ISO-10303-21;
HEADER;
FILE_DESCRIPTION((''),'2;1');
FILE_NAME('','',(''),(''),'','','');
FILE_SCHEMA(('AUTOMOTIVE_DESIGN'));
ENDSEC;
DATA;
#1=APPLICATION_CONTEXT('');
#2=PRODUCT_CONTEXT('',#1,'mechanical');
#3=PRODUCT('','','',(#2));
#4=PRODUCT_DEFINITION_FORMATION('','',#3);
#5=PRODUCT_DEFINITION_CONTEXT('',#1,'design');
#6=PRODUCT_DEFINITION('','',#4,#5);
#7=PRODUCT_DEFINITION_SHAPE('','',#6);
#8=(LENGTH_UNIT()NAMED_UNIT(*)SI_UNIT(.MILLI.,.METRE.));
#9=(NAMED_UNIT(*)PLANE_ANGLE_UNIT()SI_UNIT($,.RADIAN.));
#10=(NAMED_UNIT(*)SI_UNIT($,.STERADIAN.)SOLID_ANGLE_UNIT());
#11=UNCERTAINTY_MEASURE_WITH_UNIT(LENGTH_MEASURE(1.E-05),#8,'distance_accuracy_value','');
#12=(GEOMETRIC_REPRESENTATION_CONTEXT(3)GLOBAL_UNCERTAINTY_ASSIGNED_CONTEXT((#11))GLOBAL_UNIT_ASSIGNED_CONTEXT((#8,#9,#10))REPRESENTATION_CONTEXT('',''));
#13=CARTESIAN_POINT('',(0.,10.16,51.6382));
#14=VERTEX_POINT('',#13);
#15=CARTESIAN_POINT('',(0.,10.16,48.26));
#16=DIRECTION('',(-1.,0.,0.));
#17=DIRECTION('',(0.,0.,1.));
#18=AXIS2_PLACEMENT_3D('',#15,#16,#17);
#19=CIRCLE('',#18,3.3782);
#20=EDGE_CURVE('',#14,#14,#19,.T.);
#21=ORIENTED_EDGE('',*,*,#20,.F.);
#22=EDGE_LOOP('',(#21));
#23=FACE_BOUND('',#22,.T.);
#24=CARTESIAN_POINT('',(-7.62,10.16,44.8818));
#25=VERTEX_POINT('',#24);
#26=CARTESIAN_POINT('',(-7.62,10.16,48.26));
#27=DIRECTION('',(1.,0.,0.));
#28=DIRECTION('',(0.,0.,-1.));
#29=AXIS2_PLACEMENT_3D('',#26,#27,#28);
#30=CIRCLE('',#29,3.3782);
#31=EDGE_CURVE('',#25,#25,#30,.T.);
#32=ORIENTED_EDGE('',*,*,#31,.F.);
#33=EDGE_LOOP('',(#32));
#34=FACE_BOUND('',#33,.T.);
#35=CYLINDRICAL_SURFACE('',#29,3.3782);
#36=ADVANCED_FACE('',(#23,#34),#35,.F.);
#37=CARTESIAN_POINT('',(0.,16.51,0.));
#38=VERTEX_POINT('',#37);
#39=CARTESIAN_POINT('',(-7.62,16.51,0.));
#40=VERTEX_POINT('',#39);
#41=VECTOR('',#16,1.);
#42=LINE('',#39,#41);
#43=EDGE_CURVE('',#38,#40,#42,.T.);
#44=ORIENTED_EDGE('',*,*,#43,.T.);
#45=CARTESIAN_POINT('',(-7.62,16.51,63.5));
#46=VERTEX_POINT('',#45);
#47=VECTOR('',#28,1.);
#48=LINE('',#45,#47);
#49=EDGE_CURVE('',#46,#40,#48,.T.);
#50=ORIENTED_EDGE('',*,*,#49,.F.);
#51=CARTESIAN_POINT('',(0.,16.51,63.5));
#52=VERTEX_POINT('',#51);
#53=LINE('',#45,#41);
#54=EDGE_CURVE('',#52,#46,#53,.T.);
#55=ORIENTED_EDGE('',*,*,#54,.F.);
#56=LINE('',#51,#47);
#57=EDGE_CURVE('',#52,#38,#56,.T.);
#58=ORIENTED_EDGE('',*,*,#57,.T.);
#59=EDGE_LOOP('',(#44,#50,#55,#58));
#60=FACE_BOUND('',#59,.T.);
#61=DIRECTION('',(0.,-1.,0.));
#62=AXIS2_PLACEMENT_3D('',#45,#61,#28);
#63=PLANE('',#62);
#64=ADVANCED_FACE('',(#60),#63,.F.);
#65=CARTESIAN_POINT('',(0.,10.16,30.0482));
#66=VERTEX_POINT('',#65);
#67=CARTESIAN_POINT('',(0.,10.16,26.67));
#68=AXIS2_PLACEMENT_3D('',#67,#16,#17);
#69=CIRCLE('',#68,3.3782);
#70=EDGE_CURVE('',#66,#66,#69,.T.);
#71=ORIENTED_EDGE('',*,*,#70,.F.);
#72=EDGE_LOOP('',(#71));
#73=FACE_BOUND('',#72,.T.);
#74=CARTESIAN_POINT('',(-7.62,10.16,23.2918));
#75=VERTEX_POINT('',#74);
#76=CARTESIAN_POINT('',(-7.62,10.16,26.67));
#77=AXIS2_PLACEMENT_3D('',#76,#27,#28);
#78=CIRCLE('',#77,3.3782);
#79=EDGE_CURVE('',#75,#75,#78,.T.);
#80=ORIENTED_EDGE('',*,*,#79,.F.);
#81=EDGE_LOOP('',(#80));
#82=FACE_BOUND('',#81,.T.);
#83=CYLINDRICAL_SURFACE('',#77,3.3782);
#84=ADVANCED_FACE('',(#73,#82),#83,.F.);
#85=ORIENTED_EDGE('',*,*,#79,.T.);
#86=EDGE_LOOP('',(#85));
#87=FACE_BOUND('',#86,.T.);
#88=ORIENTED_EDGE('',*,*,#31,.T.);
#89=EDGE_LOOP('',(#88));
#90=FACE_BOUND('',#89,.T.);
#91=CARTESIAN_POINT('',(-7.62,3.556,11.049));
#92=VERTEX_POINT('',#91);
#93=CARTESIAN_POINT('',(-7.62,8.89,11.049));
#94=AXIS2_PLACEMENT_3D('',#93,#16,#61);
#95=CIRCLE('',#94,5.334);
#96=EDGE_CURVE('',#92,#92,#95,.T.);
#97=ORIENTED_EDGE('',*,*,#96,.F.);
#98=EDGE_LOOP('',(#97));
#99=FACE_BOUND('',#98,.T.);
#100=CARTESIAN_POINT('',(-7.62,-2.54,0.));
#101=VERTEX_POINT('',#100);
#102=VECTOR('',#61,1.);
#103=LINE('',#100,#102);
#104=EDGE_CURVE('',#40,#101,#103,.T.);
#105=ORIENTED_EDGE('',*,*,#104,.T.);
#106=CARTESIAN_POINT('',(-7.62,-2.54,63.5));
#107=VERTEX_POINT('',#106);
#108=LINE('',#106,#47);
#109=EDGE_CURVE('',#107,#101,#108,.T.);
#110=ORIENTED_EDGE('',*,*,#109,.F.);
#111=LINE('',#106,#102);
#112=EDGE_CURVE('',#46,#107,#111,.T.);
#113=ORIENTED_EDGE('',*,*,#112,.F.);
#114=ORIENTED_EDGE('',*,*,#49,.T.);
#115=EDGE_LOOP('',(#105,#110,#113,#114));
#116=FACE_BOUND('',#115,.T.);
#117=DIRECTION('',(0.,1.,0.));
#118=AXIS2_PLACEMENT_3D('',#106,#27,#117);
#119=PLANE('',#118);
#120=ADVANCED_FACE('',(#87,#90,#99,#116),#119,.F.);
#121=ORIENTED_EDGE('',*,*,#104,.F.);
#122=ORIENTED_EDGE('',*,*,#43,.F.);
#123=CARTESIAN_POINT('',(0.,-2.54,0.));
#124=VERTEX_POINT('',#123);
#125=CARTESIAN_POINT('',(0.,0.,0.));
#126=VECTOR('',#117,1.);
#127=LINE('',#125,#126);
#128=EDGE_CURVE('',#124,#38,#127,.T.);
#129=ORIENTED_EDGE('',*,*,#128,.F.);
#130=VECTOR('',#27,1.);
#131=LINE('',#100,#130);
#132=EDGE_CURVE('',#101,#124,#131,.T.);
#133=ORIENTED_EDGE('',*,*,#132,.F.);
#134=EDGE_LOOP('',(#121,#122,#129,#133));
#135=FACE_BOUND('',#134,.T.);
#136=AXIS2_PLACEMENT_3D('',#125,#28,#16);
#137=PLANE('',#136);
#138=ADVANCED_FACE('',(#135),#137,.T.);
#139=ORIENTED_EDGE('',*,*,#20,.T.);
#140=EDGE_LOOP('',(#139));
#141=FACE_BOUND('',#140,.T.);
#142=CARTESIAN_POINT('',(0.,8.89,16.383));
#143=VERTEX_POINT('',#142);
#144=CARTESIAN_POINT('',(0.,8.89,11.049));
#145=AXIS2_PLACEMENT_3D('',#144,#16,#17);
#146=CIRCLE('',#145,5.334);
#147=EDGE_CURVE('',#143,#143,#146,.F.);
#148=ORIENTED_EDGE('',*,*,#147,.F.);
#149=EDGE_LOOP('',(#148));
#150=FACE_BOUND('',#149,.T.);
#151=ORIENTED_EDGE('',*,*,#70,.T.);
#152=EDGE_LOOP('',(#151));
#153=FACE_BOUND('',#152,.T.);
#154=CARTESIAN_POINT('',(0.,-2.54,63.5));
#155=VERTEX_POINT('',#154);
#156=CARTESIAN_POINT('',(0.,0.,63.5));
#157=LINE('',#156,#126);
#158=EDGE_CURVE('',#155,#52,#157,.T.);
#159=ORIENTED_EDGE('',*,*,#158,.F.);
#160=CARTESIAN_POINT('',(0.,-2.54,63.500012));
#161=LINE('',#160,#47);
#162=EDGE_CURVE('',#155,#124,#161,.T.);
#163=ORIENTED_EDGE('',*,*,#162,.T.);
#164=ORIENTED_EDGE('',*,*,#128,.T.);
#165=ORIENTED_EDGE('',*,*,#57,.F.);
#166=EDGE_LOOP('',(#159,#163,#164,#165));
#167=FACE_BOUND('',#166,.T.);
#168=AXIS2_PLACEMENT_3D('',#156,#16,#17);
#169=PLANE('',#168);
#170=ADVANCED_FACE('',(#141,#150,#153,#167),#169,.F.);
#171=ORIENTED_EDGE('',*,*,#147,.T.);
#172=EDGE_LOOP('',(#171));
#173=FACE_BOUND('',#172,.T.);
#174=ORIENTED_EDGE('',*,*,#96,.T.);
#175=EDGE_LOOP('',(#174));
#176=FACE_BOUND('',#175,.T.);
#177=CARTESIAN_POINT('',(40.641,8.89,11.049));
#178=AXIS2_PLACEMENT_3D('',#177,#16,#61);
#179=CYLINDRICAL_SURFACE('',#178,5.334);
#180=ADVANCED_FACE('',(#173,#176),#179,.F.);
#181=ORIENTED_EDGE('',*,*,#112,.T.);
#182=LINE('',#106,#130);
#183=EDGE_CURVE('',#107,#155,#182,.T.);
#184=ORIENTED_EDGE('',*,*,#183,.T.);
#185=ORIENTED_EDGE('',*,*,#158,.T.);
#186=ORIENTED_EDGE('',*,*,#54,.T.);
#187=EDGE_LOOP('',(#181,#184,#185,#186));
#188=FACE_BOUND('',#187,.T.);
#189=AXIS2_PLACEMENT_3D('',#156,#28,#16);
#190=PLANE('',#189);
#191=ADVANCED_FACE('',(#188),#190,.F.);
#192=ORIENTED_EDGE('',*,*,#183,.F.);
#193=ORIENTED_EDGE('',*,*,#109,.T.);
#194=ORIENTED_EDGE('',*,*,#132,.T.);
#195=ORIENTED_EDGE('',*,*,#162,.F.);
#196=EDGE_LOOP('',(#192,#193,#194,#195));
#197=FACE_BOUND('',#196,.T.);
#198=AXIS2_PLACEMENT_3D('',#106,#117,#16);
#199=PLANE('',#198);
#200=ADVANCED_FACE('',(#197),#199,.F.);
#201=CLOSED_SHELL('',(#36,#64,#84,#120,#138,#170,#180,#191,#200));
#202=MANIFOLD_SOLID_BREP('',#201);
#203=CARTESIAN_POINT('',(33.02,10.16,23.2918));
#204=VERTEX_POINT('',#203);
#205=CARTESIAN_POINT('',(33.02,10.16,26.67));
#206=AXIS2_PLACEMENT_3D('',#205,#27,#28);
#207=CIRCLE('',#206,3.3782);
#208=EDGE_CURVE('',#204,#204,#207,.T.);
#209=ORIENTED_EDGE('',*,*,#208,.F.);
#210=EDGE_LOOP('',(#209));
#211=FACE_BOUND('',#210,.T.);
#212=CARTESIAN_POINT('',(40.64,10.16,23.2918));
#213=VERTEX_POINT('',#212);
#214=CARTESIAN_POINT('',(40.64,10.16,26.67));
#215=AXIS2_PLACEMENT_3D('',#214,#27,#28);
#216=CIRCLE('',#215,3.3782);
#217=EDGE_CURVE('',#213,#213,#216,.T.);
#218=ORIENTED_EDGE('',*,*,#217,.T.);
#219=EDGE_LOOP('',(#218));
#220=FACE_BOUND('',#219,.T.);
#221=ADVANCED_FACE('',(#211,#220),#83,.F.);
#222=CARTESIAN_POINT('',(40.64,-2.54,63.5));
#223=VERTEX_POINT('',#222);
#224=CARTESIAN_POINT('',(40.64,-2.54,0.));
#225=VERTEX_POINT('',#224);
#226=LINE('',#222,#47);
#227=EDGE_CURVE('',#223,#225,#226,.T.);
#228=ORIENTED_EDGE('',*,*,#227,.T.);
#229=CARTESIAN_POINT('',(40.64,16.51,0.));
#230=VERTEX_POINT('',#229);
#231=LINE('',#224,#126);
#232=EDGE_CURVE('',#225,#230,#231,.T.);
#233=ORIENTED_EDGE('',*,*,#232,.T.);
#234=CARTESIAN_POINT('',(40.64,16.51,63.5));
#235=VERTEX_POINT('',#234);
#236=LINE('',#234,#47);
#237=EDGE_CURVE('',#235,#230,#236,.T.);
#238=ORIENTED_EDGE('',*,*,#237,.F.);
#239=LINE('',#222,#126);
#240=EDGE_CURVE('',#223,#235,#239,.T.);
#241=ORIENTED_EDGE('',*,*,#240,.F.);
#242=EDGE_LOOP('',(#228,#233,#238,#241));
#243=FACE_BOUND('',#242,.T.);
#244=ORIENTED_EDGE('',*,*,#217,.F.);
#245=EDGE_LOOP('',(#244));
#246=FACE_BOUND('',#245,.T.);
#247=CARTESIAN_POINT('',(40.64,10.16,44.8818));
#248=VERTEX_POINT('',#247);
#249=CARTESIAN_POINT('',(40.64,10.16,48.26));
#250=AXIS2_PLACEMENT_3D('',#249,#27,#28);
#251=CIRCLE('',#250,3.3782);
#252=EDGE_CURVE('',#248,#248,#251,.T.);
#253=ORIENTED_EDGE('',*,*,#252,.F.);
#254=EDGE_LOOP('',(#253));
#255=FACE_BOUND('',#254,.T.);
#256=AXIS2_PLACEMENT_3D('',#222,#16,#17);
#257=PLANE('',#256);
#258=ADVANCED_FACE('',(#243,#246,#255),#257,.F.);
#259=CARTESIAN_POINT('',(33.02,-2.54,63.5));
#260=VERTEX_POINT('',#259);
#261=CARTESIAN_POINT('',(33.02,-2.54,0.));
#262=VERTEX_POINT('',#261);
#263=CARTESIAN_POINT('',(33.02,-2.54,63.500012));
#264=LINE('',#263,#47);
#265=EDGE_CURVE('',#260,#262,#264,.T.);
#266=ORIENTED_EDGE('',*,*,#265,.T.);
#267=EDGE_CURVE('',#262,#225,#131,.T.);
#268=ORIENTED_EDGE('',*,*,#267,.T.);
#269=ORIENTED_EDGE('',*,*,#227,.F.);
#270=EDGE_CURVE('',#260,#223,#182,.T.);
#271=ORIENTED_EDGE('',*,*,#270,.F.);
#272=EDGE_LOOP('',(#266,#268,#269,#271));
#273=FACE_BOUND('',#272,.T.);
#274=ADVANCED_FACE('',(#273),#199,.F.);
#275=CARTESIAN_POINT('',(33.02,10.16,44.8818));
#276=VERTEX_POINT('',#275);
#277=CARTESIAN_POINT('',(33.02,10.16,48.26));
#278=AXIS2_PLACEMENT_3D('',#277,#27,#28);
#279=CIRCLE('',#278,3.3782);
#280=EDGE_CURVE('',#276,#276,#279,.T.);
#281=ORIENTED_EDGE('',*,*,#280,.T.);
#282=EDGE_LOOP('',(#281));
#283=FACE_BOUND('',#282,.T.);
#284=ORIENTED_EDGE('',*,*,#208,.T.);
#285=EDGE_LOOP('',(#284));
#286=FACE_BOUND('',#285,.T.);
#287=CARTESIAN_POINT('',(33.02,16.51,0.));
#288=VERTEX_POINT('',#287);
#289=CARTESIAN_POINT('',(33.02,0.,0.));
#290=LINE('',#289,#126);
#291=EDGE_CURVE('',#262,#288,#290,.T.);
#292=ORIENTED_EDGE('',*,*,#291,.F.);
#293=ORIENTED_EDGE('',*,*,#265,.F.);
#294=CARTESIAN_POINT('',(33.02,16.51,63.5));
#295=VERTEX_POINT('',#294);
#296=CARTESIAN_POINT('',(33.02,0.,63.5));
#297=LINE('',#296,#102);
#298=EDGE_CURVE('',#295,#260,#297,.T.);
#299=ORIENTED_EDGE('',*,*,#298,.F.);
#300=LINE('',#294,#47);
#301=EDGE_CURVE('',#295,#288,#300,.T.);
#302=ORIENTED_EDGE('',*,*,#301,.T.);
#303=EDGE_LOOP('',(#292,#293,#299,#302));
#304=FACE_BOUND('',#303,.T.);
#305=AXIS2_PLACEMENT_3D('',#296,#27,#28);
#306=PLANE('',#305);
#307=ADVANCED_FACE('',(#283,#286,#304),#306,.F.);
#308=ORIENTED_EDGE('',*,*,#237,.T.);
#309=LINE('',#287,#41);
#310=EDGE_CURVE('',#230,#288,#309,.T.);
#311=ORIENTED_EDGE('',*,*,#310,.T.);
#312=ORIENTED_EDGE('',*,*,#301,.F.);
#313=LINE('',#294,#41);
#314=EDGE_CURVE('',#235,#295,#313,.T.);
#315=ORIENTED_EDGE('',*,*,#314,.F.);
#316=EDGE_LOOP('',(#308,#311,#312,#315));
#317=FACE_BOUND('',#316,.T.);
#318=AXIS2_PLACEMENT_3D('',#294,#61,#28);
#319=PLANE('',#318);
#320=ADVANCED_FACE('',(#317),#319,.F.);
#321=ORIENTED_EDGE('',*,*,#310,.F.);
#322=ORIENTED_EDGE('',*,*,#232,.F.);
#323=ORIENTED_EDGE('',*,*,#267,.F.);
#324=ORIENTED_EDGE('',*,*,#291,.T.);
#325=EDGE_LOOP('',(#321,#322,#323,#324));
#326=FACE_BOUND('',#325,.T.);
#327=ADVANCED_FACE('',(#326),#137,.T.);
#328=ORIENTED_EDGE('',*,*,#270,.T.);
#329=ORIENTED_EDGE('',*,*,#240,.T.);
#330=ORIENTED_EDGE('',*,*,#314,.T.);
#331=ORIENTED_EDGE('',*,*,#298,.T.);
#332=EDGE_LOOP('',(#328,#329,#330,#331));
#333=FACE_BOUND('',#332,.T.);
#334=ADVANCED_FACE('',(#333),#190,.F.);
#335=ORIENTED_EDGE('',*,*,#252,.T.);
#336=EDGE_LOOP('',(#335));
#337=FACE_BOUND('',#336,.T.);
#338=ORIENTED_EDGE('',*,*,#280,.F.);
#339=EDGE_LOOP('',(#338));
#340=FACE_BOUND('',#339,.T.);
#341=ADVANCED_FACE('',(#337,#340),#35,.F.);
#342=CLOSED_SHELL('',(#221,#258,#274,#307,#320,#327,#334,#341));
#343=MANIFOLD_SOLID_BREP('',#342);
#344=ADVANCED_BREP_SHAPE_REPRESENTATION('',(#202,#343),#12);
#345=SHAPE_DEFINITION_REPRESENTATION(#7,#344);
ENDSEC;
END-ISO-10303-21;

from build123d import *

# Parameters (mm, degrees)
BOSS_EXTRUDE1_DEPTH            = 63.5
CUT_EXTRUDE1_REACH             = 50.26
SKETCH2_R                      = 5.334
SKETCH3_R                      = 3.3782
CUT_EXTRUDE2_DEPTH             = 49.26
CUT_EXTRUDE4_REACH             = 65.5
SKETCH5_W                      = 33.02
SKETCH5_H                      = 2.54
CUT_EXTRUDE4_DIRECTION_2_DEPTH = 1
SKETCH6_R                      = 3.3782
CUT_EXTRUDE5_DEPTH             = 49.26


with BuildPart() as part:
    # Sketch1 → Boss-Extrude1 (new body)
    with BuildSketch(Plane.XY):
        Polygon((-7.62, 16.51), (0, 16.51), (0, 0), (33.02, 0), (33.02, 16.51), (40.64, 16.51), (40.64, -2.54), (-7.62, -2.54), align=None)
    extrude(amount=BOSS_EXTRUDE1_DEPTH)

    # Sketch2 → Cut-Extrude1 (cut, up to next)
    with BuildSketch(Plane.ZY.offset(7.62), mode=Mode.PRIVATE) as cut_extrude1_sk1:
        with Locations((11.049, 8.89)):
            Circle(SKETCH2_R)
    cut_extrude1_tool1 = extrude(cut_extrude1_sk1.sketch, amount=-CUT_EXTRUDE1_REACH, mode=Mode.PRIVATE) & part.part
    add(cut_extrude1_tool1.solids().sort_by_distance((-7.62, 8.89, 11.049))[0], mode=Mode.SUBTRACT)

    # Sketch3 → Cut-Extrude2 (cut, through all)
    with BuildSketch(Plane(origin=(40.64, 0, 0), x_dir=(0, 0, -1), z_dir=(1, 0, 0))):
        with Locations((-48.26, 10.16)):
            Circle(SKETCH3_R)
    extrude(amount=-CUT_EXTRUDE2_DEPTH, mode=Mode.SUBTRACT)

    # Sketch5 → Cut-Extrude4 (cut, up to next)
    with BuildSketch(Plane.XY.offset(63.5), mode=Mode.PRIVATE) as cut_extrude4_sk1:
        with Locations((16.51, -1.27)):
            Rectangle(SKETCH5_W, SKETCH5_H)
    cut_extrude4_tool1 = extrude(cut_extrude4_sk1.sketch, amount=-CUT_EXTRUDE4_REACH, mode=Mode.PRIVATE) & part.part
    add(cut_extrude4_tool1.solids().sort_by_distance((16.51, -1.27, 63.5))[0], mode=Mode.SUBTRACT)

    # Sketch5 → Cut-Extrude4 direction 2 (cut)
    with BuildSketch(Plane.XY.offset(63.5)):
        with Locations((16.51, -1.27)):
            Rectangle(SKETCH5_W, SKETCH5_H)
    extrude(amount=CUT_EXTRUDE4_DIRECTION_2_DEPTH, mode=Mode.SUBTRACT)

    # Sketch6 → Cut-Extrude5 (cut, through all)
    with BuildSketch(Plane(origin=(40.64, 0, 0), x_dir=(0, 0, -1), z_dir=(1, 0, 0))):
        with Locations((-26.67, 10.16)):
            Circle(SKETCH6_R)
    extrude(amount=-CUT_EXTRUDE5_DEPTH, mode=Mode.SUBTRACT)


solid = part.part
